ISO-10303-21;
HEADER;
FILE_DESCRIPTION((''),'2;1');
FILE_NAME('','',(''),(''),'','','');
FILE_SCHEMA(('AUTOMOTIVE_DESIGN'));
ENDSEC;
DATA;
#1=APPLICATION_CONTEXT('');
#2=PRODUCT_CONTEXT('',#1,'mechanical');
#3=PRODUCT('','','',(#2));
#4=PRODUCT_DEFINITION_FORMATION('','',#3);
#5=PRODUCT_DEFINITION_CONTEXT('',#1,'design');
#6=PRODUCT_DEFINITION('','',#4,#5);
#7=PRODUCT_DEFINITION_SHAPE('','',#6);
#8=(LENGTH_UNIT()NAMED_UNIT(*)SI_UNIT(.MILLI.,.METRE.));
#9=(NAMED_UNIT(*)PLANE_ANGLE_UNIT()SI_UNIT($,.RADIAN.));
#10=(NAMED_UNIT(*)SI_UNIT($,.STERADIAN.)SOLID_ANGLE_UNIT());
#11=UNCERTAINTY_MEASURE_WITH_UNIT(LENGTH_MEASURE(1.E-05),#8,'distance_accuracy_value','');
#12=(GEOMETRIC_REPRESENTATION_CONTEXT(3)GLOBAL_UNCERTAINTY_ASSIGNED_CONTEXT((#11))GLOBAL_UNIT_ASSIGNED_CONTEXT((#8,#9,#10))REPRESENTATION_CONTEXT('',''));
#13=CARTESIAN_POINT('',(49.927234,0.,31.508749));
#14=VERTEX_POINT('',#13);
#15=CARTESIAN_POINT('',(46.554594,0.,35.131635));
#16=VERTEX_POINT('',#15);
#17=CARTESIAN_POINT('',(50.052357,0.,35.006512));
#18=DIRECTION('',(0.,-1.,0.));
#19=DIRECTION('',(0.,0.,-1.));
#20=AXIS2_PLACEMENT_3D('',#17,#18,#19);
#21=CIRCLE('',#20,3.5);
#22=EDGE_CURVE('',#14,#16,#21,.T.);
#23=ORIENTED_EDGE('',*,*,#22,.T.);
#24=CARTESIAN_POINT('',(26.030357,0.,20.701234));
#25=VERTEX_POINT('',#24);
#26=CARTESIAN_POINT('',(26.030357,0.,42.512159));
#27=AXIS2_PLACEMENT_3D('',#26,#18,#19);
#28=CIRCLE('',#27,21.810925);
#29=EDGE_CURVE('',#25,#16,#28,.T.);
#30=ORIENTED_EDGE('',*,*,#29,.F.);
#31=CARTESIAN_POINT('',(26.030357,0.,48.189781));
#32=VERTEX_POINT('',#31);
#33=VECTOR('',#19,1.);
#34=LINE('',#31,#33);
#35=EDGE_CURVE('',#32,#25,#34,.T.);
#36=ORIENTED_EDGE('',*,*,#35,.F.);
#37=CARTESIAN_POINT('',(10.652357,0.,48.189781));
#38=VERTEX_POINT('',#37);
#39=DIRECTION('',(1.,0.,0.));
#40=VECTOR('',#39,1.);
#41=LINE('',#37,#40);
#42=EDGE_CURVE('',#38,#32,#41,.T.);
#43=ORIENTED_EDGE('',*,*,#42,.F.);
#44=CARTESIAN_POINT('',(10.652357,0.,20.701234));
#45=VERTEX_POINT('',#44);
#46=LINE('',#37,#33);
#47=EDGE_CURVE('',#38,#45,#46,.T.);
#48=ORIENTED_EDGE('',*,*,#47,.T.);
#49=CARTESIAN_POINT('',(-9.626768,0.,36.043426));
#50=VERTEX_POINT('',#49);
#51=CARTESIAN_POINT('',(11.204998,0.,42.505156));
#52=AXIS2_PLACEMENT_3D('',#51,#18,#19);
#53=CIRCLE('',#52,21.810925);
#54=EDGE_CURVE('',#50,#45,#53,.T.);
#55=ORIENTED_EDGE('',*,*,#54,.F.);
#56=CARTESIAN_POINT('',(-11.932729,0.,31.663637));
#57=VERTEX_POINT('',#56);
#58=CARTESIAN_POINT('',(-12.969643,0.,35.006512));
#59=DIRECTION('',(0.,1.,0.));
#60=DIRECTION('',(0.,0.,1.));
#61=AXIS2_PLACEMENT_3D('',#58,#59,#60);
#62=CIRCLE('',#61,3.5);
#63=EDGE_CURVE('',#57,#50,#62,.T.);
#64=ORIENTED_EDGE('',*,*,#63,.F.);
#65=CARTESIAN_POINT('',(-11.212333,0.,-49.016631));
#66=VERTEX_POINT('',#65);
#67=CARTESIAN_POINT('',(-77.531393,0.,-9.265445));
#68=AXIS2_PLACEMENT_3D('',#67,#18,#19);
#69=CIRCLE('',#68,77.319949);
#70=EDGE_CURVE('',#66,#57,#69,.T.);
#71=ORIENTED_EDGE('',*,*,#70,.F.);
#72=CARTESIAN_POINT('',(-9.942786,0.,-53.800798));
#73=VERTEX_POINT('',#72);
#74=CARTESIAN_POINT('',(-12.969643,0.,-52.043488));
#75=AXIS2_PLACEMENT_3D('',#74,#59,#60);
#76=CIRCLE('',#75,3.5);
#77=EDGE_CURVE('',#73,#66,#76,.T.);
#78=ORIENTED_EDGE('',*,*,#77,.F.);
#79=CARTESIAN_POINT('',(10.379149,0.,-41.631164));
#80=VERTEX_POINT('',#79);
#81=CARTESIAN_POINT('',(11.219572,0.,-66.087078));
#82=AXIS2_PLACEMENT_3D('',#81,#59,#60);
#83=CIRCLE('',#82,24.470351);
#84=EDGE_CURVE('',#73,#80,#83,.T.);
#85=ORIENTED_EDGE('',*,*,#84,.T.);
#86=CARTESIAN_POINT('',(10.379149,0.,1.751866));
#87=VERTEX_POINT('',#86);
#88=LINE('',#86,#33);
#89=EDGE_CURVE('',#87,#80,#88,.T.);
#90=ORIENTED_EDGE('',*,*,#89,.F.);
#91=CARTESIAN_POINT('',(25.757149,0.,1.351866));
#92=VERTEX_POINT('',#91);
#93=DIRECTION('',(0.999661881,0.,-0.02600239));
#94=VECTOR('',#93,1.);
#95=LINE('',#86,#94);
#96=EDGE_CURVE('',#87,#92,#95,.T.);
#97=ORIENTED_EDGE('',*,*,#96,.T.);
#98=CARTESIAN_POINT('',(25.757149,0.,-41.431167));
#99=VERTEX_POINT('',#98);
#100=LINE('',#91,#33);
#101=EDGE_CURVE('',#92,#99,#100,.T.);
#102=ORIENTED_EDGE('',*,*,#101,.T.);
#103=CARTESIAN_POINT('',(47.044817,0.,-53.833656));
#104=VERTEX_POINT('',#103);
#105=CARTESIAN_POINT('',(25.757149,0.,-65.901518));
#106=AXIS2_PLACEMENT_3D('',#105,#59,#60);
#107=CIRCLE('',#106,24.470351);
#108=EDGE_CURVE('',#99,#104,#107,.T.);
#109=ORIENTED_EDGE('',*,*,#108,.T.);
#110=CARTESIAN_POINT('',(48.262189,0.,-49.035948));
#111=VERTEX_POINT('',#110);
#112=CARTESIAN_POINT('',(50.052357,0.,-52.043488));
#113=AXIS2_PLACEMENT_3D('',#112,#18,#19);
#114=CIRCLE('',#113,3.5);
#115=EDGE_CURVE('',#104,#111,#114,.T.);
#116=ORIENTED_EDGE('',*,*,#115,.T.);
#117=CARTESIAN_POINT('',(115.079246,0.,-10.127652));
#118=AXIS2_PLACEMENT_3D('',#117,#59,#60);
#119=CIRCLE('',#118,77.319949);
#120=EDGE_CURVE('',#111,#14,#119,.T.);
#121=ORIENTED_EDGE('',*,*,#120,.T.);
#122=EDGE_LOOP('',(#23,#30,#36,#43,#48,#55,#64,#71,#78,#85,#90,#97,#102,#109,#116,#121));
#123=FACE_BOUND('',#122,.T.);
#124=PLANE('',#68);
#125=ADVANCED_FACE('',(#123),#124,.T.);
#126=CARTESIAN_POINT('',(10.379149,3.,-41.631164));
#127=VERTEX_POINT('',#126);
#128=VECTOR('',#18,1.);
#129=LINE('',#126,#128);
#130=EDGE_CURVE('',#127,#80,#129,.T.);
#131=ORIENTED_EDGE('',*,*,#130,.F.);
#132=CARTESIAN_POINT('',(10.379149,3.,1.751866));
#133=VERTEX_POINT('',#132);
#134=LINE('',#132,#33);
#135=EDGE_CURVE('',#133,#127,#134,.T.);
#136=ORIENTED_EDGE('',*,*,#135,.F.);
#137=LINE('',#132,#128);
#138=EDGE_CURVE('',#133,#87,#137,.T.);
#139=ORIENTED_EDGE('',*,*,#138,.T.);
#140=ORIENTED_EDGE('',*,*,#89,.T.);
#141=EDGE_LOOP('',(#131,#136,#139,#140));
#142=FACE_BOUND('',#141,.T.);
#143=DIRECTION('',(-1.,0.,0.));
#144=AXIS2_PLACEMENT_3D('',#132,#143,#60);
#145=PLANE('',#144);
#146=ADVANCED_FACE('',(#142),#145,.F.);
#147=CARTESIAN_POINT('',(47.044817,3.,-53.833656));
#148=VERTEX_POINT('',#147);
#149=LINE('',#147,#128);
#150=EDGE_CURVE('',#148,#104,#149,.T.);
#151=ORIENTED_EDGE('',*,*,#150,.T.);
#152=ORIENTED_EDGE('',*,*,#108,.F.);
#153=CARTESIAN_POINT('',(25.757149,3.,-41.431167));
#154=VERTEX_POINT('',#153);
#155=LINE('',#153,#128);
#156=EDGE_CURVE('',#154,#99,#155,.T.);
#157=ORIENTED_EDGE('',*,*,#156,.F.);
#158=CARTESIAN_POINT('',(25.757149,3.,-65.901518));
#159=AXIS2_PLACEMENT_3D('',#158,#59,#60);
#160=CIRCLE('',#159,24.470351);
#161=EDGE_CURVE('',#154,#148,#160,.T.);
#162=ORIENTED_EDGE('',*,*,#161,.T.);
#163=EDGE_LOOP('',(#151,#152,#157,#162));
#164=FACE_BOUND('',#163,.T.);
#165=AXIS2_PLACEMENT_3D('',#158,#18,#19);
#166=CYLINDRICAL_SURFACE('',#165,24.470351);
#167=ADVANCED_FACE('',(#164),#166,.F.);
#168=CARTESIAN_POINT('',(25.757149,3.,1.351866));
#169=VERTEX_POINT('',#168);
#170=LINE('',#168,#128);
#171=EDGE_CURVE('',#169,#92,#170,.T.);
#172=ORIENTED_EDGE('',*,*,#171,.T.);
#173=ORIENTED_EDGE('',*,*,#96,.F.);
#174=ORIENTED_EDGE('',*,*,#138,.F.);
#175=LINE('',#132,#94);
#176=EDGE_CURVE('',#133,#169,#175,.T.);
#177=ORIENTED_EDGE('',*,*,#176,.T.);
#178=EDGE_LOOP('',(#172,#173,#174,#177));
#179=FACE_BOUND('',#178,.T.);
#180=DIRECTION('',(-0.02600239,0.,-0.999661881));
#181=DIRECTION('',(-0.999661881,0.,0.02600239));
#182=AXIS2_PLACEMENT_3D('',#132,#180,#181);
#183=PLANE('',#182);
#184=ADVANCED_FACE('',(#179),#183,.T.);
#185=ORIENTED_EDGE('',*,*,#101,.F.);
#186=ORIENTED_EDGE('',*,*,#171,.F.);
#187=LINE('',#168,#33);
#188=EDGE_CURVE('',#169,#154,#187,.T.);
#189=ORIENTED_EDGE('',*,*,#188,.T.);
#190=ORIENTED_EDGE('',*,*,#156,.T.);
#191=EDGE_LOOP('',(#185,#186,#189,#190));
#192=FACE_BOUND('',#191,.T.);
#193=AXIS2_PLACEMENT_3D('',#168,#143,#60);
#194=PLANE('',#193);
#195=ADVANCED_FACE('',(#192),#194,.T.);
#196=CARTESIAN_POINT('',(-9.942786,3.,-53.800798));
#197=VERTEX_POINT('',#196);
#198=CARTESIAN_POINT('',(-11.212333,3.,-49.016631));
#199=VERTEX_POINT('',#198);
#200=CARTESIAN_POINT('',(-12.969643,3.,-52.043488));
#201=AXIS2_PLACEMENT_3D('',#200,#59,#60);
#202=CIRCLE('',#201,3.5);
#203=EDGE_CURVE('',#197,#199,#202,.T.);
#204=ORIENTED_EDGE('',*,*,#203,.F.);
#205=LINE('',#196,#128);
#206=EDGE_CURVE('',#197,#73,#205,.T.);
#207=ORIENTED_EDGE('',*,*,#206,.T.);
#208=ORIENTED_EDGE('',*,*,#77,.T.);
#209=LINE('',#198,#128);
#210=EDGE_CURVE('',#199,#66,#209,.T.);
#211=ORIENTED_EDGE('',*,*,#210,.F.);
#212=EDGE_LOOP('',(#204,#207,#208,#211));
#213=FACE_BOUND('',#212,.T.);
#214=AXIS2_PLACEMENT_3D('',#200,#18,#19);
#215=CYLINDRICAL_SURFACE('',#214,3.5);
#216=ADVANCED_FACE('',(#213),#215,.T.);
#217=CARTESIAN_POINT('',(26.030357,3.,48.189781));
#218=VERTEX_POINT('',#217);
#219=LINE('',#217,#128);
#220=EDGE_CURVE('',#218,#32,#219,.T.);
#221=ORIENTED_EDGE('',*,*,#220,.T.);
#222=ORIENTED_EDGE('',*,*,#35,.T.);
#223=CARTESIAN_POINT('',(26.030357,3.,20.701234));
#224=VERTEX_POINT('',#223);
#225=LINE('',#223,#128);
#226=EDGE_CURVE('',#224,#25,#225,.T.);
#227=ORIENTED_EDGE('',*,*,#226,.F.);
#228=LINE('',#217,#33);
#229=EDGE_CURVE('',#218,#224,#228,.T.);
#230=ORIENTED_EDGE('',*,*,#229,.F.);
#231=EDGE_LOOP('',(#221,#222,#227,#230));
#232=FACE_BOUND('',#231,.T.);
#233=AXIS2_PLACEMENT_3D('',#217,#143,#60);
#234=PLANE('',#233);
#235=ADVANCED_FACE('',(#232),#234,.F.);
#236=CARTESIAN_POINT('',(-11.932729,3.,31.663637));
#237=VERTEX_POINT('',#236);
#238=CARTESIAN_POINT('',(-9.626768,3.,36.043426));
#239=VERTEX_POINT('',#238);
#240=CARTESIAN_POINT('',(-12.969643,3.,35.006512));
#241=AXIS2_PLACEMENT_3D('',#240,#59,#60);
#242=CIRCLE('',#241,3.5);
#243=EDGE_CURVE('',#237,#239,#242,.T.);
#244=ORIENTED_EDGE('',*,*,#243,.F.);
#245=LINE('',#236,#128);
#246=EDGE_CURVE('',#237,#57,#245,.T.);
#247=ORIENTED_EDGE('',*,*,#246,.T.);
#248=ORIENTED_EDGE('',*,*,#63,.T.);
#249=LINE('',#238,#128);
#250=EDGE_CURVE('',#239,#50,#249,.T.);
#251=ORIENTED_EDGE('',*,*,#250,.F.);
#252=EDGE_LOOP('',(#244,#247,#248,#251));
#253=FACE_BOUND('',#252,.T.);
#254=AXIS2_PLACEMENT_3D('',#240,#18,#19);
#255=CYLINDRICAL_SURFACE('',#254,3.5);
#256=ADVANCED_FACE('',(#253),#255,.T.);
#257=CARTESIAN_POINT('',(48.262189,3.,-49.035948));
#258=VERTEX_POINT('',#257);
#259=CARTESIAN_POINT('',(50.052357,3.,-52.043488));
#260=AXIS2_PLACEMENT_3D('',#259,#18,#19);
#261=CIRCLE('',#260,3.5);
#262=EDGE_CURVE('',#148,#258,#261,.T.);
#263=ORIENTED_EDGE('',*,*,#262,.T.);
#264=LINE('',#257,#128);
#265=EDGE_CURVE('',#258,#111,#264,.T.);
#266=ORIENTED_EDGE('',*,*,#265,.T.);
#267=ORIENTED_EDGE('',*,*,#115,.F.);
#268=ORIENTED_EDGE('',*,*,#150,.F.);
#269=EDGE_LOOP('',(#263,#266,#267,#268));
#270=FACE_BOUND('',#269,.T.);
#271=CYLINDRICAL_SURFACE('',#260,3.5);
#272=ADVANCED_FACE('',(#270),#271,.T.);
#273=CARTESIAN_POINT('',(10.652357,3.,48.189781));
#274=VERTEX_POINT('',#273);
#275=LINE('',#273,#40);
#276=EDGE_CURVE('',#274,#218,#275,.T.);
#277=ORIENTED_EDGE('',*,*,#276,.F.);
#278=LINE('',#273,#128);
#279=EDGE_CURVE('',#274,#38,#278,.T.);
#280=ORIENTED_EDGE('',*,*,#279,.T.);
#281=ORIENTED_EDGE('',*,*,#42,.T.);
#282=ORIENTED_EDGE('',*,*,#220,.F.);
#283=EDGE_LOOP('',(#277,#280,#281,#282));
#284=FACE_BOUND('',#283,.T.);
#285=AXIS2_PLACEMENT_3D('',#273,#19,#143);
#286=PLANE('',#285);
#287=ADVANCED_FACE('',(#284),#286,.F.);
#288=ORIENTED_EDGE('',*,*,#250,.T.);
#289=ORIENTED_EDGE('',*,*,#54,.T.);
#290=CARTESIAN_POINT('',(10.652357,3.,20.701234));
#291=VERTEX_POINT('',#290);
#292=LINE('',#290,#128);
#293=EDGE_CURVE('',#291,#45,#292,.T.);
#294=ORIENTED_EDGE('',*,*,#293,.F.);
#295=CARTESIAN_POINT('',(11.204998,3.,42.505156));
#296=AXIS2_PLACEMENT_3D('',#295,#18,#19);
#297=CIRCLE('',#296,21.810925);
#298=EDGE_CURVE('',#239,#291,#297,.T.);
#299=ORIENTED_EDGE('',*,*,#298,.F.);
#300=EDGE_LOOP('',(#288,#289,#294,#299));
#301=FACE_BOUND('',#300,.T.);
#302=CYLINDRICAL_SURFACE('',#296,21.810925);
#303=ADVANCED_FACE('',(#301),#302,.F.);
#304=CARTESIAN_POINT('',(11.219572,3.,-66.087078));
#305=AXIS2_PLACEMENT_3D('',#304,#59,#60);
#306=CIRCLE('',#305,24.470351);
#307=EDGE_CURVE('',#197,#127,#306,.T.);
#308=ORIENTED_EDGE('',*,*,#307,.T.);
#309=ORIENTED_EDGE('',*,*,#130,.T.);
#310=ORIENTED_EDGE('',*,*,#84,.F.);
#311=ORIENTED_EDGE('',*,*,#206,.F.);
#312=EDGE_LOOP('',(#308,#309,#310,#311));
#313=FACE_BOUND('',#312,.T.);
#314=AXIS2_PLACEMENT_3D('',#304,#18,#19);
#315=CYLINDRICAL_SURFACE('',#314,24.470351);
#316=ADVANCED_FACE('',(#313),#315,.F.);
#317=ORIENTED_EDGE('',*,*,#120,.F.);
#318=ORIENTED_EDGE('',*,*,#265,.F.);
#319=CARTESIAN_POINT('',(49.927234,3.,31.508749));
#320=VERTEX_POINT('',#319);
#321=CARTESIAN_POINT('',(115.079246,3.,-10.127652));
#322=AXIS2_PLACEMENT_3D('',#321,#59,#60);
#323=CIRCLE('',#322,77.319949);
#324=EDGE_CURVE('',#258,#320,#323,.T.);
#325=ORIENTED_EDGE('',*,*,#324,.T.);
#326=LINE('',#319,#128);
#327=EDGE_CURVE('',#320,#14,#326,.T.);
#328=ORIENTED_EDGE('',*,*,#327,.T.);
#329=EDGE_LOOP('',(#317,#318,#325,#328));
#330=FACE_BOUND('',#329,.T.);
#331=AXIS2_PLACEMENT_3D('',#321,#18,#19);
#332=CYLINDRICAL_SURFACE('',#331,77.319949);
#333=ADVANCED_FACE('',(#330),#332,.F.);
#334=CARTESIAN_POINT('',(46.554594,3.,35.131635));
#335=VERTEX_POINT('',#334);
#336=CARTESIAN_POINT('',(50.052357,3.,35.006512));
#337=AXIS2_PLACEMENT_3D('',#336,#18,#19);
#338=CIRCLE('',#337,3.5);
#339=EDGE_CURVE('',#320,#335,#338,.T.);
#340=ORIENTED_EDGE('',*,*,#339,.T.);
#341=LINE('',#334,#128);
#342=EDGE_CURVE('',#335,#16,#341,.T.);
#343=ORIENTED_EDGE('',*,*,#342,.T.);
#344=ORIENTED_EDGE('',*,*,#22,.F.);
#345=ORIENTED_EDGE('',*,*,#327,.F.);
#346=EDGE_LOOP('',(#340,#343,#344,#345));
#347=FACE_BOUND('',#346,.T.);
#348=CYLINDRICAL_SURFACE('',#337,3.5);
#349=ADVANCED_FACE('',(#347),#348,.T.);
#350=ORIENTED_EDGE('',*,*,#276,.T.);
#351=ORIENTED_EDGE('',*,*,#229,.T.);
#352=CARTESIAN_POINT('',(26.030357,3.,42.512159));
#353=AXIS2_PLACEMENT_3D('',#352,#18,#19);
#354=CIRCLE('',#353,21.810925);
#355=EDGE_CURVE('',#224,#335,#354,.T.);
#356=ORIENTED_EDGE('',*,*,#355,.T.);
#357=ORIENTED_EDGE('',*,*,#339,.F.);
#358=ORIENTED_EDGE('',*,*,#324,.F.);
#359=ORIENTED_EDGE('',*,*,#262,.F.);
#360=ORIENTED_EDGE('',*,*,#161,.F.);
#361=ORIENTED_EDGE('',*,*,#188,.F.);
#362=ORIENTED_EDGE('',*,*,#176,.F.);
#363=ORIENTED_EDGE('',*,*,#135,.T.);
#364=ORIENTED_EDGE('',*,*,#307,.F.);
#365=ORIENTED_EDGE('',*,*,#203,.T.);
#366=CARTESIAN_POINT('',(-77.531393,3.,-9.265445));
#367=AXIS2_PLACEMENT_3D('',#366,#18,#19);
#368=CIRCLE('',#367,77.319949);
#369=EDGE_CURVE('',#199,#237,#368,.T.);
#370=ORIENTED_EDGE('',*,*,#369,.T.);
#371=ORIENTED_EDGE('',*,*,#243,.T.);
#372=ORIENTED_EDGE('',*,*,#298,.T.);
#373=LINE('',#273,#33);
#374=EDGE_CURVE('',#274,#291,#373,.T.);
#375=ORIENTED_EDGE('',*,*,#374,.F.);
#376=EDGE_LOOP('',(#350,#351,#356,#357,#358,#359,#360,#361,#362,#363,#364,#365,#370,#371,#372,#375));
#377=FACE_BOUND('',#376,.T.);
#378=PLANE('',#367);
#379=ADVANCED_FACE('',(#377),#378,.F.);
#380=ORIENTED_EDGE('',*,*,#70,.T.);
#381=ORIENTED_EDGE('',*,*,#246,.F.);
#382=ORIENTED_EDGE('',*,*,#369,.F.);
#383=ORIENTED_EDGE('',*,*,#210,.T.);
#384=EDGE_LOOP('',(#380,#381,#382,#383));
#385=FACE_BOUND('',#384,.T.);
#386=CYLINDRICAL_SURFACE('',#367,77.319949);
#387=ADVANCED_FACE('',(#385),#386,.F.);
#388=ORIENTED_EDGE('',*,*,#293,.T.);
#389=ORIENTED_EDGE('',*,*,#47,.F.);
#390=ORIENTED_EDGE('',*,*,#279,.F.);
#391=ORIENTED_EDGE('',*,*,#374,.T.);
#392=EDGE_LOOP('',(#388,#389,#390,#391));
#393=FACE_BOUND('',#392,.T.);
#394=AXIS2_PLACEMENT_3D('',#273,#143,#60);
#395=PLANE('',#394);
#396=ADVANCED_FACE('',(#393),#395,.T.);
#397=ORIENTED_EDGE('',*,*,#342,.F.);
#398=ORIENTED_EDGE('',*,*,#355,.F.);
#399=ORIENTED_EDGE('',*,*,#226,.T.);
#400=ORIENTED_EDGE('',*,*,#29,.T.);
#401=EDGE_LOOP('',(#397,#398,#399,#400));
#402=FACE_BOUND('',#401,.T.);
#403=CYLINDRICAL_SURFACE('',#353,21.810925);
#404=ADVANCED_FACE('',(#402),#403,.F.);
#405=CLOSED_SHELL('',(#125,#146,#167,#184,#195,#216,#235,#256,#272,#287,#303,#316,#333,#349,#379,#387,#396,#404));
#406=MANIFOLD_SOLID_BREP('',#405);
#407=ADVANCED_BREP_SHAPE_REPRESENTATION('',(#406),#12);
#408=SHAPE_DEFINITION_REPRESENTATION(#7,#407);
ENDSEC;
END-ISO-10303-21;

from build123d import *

# Parameters (mm, degrees)
BOSS_EXTRUDE2_DEPTH = 3


with BuildPart() as part:
    # Sketch1 → Boss-Extrude2 (new body)
    with BuildSketch(Plane(origin=(0, 0, 0), x_dir=(1, 0, 0), z_dir=(0, 1, 0))):
        with BuildLine():
            Line((25.757149381, -1.351865927), (25.757149381, 41.431167148))
            ThreePointArc((25.757149381, 41.431167148), (38.075697549, 44.757926971), (47.044816732, 53.833656195))
            ThreePointArc((47.044816732, 53.833656195), (53.444849138, 52.904300859), (48.262189364, 49.035948005))
            ThreePointArc((48.262189364, 49.035948005), (37.775812363, 8.529611884), (49.927233588, -31.508748857))
            ThreePointArc((49.927233588, -31.508748857), (52.6141246, -37.391327613), (46.554594416, -35.131635139))
            ThreePointArc((46.554594416, -35.131635139), (38.575085108, -24.669898603), (26.030357143, -20.701233785))
            Line((26.030357143, -20.701233785), (26.030357143, -48.189781488))
            Line((26.030357143, -48.189781488), (10.652357143, -48.189781488))
            Line((10.652357143, -48.189781488), (10.652357143, -20.701233785))
            ThreePointArc((10.652357143, -20.701233785), (-1.954368788, -25.111263089), (-9.626768487, -36.04342573))
            ThreePointArc((-9.626768487, -36.04342573), (-16.066621017, -36.637071695), (-11.932728711, -31.663637214))
            ThreePointArc((-11.932728711, -31.663637214), (-0.214526097, 8.575081304), (-11.212333327, 49.01663143))
            ThreePointArc((-11.212333327, 49.01663143), (-16.352559443, 52.941194032), (-9.942785871, 53.800797946))
            ThreePointArc((-9.942785871, 53.800797946), (-1.352444064, 45.093210402), (10.379149381, 41.631163543))
            Line((10.379149381, 41.631163543), (10.379149381, -1.751865927))
            Line((10.379149381, -1.751865927), (25.757149381, -1.351865927))
        make_face()
    extrude(amount=BOSS_EXTRUDE2_DEPTH)


solid = part.part
